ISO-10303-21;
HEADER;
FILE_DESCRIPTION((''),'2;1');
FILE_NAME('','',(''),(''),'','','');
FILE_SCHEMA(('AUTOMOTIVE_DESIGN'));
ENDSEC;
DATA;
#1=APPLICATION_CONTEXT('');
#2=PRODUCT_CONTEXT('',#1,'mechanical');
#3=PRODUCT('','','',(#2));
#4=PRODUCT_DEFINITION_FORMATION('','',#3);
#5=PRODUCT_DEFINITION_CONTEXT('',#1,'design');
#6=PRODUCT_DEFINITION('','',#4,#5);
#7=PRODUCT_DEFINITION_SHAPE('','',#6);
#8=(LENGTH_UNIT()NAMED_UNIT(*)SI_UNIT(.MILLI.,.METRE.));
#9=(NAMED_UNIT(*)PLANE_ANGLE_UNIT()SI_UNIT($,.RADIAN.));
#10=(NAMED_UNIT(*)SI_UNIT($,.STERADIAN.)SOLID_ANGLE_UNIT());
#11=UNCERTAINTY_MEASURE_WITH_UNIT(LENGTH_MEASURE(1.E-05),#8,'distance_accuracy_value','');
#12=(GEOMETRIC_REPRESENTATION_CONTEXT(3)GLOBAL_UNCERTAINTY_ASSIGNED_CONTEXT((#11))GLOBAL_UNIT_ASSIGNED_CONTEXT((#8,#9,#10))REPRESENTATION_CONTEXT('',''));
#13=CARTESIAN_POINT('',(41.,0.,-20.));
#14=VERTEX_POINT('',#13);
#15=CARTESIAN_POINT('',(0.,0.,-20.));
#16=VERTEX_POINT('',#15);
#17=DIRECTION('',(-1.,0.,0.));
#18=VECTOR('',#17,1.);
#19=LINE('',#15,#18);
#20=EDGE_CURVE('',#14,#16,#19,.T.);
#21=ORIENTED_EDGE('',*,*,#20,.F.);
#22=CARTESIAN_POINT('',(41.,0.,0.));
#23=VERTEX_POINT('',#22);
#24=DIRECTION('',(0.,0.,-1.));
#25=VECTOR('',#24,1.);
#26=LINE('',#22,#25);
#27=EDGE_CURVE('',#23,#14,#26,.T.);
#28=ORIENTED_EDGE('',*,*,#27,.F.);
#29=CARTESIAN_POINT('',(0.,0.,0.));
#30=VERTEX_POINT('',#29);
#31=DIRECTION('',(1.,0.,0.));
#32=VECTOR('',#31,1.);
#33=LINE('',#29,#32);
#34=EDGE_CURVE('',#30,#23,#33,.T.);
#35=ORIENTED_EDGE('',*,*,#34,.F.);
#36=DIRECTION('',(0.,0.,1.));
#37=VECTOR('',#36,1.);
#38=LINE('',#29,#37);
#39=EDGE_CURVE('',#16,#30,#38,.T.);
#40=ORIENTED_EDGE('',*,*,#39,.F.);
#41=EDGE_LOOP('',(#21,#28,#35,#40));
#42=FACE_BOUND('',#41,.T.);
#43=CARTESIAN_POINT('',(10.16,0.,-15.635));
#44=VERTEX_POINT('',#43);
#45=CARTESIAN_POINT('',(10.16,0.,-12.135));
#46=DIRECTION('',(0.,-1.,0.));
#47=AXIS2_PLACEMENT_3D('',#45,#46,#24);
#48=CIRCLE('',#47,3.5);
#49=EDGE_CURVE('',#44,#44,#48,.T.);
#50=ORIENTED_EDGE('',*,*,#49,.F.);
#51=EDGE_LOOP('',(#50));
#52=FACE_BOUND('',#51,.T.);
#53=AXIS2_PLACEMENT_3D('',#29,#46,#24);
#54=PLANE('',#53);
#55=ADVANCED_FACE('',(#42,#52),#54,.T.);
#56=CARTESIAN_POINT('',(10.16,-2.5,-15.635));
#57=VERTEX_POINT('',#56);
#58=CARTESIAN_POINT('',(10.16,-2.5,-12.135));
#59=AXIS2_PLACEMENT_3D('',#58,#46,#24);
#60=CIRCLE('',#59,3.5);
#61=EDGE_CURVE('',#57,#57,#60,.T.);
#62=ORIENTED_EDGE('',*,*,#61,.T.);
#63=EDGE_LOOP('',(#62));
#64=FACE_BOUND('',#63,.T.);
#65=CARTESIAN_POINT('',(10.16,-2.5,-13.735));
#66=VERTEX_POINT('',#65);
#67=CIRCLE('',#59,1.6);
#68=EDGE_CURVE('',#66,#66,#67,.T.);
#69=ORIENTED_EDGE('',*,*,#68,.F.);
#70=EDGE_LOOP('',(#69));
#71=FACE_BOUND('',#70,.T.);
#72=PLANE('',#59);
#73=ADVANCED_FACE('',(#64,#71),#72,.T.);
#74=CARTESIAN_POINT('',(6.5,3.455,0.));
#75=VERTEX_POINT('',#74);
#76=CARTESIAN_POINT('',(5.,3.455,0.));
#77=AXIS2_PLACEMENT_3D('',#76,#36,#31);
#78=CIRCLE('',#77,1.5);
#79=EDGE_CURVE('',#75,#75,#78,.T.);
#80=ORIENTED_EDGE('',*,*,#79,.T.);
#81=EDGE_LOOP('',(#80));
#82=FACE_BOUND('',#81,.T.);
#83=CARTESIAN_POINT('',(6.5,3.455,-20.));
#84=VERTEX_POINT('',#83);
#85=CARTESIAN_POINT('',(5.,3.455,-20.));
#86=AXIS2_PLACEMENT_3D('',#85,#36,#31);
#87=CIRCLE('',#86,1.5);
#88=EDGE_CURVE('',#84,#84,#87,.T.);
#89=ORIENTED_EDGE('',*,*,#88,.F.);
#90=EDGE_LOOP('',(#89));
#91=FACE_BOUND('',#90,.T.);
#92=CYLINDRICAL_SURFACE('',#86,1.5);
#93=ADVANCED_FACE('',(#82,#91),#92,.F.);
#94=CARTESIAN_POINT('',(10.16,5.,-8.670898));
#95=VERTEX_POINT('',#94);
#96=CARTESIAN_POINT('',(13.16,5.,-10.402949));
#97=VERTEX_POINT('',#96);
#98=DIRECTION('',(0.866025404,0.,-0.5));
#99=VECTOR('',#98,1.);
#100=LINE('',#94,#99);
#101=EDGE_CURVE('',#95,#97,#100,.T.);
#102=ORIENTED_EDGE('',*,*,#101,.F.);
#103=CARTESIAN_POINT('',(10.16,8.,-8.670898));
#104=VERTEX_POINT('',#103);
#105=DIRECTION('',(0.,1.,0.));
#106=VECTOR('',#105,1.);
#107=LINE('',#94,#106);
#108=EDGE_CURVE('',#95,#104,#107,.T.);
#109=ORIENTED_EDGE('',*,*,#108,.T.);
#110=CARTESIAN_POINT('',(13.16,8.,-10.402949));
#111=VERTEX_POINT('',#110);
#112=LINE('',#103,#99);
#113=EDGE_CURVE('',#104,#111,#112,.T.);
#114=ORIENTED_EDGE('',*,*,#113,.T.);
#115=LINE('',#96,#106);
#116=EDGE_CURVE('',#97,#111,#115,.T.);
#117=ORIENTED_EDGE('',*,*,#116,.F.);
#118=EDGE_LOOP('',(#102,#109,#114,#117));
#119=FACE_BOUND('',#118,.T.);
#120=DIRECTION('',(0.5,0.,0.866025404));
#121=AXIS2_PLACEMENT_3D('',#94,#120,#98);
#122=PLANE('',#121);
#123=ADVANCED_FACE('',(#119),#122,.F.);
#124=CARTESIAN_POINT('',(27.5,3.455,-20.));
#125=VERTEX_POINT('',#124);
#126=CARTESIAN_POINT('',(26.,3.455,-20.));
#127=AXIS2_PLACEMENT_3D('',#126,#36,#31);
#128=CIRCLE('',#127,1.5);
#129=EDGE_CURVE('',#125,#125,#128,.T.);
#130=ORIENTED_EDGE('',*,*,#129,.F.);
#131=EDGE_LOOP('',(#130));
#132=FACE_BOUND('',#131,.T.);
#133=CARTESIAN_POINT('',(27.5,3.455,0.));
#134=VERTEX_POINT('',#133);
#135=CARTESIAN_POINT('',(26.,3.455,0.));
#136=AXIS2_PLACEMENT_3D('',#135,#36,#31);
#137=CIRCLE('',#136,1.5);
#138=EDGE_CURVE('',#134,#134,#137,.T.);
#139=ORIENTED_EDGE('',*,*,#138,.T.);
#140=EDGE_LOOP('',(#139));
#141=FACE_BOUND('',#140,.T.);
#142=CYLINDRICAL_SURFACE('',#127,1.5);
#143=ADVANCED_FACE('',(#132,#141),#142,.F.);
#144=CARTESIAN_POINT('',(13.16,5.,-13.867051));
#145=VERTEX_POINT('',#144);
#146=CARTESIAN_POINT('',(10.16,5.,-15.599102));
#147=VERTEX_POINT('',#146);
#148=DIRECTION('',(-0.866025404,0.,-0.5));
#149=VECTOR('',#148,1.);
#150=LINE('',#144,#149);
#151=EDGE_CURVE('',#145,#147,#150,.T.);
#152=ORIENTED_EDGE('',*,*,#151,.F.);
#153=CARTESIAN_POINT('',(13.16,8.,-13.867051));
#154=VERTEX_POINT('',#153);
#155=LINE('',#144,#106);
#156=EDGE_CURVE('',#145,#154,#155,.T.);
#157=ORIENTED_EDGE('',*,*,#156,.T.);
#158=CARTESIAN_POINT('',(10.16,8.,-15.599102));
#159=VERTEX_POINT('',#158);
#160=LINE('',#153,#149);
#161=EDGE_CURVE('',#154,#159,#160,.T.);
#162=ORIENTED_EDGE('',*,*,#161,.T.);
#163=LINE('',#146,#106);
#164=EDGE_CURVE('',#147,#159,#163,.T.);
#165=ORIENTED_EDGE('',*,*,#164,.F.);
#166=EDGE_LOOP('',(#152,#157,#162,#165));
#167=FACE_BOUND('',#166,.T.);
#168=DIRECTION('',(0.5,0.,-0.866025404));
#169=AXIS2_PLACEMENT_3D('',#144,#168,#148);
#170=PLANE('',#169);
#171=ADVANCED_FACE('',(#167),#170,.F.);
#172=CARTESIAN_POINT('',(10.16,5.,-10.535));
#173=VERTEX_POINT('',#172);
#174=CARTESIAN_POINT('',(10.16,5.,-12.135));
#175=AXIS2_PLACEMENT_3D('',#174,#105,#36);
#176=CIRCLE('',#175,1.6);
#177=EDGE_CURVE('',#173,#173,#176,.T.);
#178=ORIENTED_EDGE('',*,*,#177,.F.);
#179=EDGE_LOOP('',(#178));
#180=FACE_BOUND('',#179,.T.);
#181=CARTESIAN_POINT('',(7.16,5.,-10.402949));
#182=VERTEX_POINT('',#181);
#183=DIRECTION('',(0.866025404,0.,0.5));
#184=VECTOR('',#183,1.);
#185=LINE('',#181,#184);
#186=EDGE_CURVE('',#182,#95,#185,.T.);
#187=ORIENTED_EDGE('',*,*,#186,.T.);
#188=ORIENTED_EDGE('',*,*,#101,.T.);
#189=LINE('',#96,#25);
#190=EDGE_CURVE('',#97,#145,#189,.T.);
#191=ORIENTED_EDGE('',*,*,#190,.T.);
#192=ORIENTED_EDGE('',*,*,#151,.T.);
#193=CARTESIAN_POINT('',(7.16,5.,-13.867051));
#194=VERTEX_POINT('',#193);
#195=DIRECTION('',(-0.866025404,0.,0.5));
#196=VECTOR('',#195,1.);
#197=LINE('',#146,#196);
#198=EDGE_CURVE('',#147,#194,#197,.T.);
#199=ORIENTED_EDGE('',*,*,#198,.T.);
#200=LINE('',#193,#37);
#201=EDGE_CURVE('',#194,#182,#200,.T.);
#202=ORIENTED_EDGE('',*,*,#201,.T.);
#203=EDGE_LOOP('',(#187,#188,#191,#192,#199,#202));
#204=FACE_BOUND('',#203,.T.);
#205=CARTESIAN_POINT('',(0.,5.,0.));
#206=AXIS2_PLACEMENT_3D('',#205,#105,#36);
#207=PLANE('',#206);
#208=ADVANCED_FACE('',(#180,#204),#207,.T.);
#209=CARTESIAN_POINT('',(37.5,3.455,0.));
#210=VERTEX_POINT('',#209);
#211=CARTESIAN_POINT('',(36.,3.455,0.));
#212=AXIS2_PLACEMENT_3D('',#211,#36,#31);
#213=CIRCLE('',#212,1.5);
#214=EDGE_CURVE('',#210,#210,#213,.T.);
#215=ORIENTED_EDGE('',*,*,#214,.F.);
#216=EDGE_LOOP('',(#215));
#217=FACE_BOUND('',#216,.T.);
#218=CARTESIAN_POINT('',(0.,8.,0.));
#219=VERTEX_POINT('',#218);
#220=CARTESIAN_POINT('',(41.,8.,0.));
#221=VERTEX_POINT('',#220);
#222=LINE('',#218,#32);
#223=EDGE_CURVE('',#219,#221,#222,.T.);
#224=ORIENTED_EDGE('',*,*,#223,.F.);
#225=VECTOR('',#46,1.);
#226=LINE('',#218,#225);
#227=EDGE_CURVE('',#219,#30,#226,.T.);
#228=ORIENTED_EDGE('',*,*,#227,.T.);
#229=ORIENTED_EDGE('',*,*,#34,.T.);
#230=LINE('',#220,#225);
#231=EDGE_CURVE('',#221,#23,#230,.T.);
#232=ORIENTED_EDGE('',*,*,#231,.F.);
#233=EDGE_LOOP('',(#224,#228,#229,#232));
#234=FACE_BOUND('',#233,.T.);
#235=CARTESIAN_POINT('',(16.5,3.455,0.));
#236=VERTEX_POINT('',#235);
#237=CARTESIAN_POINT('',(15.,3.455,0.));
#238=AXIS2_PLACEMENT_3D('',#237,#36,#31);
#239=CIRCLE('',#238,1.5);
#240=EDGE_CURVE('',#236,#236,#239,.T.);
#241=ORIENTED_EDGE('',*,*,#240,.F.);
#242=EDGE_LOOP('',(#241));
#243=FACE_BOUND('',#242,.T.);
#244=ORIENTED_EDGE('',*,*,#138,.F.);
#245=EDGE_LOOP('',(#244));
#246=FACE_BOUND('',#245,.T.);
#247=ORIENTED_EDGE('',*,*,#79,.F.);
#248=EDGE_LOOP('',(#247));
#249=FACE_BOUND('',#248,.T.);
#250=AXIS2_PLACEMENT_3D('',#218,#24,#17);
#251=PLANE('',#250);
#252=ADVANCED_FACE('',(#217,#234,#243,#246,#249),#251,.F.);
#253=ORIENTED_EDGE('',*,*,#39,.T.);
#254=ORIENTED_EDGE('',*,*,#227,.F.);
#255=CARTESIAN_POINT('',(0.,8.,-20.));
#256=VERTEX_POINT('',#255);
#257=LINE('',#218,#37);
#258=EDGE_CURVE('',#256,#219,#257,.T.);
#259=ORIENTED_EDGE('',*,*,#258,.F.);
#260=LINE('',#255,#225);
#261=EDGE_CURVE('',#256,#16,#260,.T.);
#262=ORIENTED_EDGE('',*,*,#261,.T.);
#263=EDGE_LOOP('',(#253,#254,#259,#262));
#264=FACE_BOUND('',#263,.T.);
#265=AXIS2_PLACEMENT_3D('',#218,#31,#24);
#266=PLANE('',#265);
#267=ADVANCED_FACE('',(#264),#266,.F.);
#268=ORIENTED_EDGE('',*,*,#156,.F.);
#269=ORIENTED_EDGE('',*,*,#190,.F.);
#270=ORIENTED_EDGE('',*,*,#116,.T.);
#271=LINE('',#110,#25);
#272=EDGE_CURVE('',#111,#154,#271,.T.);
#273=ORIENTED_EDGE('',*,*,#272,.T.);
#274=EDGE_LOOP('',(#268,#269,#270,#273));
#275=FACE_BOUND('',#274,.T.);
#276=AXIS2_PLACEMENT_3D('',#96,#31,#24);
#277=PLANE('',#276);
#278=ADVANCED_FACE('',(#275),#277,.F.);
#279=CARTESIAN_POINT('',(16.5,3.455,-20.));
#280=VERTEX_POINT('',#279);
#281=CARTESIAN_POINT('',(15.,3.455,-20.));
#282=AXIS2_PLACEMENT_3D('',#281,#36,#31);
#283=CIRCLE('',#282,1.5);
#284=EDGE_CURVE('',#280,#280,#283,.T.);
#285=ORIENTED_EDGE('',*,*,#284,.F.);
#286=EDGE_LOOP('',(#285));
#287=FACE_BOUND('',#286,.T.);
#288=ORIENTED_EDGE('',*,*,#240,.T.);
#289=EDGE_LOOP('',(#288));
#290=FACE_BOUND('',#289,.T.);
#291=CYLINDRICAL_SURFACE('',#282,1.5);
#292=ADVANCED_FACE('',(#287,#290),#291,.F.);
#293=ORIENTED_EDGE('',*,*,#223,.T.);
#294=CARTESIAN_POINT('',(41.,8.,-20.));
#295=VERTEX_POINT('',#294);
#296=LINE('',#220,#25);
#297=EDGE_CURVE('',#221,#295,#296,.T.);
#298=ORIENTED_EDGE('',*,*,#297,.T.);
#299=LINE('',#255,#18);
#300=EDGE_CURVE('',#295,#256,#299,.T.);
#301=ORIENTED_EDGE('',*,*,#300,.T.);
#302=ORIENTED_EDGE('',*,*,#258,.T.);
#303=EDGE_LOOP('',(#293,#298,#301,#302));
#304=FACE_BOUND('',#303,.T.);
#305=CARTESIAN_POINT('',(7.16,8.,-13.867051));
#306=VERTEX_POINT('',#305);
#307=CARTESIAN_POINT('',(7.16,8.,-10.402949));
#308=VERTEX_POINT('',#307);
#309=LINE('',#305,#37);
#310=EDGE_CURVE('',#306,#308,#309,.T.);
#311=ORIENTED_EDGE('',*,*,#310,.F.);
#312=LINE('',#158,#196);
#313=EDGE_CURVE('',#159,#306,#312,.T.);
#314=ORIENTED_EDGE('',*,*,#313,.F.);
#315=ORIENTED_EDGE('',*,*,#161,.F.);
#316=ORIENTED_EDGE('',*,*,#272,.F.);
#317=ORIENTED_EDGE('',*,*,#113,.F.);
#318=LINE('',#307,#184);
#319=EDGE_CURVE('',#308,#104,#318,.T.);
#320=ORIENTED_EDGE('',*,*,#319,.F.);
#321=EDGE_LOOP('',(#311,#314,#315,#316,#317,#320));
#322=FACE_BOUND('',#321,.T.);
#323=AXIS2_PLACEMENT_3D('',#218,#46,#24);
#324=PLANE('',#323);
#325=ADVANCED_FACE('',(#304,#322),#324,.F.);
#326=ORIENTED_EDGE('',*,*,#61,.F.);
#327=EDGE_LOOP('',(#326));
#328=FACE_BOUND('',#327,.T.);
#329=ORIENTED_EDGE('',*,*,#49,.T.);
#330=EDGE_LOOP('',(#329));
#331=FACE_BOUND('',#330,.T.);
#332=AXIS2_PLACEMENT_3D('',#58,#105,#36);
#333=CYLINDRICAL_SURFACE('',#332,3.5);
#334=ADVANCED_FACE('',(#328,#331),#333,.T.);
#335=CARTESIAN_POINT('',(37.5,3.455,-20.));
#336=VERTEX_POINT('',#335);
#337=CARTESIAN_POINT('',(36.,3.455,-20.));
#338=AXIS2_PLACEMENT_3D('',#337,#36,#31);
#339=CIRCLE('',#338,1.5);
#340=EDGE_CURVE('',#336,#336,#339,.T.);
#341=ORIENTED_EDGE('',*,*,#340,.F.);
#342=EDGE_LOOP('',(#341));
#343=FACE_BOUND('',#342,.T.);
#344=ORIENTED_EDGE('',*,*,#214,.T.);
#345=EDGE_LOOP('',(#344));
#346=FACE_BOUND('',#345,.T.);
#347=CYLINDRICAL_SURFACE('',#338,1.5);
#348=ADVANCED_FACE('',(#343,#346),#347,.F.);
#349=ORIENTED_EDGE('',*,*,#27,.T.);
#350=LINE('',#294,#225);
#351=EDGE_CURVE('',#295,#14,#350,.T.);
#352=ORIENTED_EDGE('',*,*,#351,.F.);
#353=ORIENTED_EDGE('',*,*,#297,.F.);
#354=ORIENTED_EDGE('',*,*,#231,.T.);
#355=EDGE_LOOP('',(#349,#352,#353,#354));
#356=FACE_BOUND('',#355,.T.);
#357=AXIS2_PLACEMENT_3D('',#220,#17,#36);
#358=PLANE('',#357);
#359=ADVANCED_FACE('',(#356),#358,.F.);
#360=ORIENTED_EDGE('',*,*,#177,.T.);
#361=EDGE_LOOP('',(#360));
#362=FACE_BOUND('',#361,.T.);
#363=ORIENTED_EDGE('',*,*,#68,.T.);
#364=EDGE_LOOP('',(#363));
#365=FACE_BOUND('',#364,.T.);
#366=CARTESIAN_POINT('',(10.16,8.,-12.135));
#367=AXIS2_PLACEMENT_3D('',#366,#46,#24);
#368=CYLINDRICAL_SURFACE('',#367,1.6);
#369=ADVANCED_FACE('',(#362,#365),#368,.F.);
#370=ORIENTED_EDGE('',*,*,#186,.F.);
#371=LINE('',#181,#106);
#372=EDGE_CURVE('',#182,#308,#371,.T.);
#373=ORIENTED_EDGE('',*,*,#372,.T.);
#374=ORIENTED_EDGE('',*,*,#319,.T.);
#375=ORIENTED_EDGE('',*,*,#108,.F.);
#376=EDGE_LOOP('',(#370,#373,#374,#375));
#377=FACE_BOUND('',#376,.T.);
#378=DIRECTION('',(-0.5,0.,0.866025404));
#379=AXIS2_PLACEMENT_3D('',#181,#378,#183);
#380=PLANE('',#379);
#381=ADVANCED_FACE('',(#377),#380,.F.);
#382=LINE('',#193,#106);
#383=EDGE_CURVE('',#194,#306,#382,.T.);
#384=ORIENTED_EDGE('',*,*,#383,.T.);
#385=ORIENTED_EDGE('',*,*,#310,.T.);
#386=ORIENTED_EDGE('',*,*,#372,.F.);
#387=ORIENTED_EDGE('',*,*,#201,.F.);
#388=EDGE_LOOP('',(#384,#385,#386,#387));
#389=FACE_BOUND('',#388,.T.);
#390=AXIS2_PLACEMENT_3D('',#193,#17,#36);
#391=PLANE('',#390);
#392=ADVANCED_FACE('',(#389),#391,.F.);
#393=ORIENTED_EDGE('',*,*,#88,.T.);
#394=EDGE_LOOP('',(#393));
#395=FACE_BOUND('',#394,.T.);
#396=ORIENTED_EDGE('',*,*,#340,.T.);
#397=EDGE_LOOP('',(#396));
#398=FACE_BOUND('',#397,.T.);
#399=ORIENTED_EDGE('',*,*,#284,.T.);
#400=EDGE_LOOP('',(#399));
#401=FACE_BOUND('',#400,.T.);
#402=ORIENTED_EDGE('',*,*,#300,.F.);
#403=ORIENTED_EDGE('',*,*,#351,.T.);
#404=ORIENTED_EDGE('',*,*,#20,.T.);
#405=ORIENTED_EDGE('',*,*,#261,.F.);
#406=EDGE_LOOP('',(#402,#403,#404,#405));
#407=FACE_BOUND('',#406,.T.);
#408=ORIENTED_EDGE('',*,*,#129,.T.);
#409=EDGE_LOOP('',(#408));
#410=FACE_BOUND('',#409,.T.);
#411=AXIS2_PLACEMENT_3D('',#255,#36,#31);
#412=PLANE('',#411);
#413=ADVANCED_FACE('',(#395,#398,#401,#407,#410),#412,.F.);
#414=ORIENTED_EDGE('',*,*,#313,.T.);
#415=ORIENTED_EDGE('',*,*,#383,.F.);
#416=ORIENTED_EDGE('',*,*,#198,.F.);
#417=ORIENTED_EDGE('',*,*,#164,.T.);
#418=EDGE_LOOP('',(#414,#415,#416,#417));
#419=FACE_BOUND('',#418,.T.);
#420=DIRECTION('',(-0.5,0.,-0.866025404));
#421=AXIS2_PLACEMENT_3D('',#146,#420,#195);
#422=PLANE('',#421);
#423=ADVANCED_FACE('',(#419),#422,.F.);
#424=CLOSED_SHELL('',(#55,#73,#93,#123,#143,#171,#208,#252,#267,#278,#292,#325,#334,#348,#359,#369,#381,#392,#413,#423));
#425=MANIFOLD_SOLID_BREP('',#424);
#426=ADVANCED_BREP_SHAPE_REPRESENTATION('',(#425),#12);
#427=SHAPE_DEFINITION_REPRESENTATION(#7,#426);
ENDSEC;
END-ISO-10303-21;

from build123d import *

# Parameters (mm, degrees)
SKETCH1_W           = 41
SKETCH1_H           = 20
BOSS_EXTRUDE1_DEPTH = 8
SKETCH2_R           = 1.5
CUT_EXTRUDE1_DEPTH  = 47.314144708
LPATTERN1_COUNT     = 2
LPATTERN1_PITCH     = 10
LPATTERN2_COUNT     = 2
LPATTERN2_PITCH     = 21
LPATTERN3_COUNT     = 2
LPATTERN3_PITCH     = 31
SKETCH3_R           = 1.6
CUT_EXTRUDE6_DEPTH  = 47.314144708
BOSS_EXTRUDE6_START = 2.5
SKETCH13_R          = 3.5
SKETCH13_R_2        = 1.6
BOSS_EXTRUDE6_DEPTH = 2.5
CUT_EXTRUDE7_DEPTH  = 3


with BuildPart() as part:
    # Sketch1 → Boss-Extrude1 (new body)
    with BuildSketch(Plane(origin=(0, 0, 0), x_dir=(1, 0, 0), z_dir=(0, 1, 0))):
        with Locations((20.5, 10)):
            Rectangle(SKETCH1_W, SKETCH1_H)
    extrude(amount=BOSS_EXTRUDE1_DEPTH)

    # Sketch2 → Cut-Extrude1 (cut, through all)
    with BuildSketch(Plane.XY):
        with Locations((5, 3.455)):
            Circle(SKETCH2_R)
    cut_extrude1 = extrude(amount=-CUT_EXTRUDE1_DEPTH, mode=Mode.SUBTRACT)

    # LPattern1: Cut-Extrude1 ×2
    with Locations(*[(i * LPATTERN1_PITCH, 0, 0) for i in range(1, LPATTERN1_COUNT)]):
        add(cut_extrude1, mode=Mode.SUBTRACT)

    # LPattern2: Cut-Extrude1 ×2
    with Locations(*[(i * LPATTERN2_PITCH, 0, 0) for i in range(1, LPATTERN2_COUNT)]):
        add(cut_extrude1, mode=Mode.SUBTRACT)

    # LPattern3: Cut-Extrude1 ×2
    with Locations(*[(i * LPATTERN3_PITCH, 0, 0) for i in range(1, LPATTERN3_COUNT)]):
        add(cut_extrude1, mode=Mode.SUBTRACT)

    # Sketch3 → Cut-Extrude6 (cut, through all)
    with BuildSketch(Plane(origin=(0, 0, 0), x_dir=(1, 0, 0), z_dir=(0, 1, 0))):
        with Locations(Location((10.16, 12.135, 0), (0, 0, 90))):
            Circle(SKETCH3_R)
    extrude(amount=CUT_EXTRUDE6_DEPTH, mode=Mode.SUBTRACT)

    # Sketch13 → Boss-Extrude6 (add)
    with BuildSketch(Plane.XZ.offset(BOSS_EXTRUDE6_START)):
        with Locations(Location((10.16, -12.135, 0), (0, 0, 270))):
            Circle(SKETCH13_R)
        with Locations(Location((10.16, -12.135, 0), (0, 0, 270))):
            Circle(SKETCH13_R_2, mode=Mode.SUBTRACT)
    extrude(amount=-BOSS_EXTRUDE6_DEPTH)

    # Sketch14 → Cut-Extrude7 (cut)
    with BuildSketch(Plane(origin=(0, 8, 0), x_dir=(1, 0, 0), z_dir=(0, 1, 0))):
        Polygon((7.16, 10.402949192), (10.16, 8.670898385), (13.16, 10.402949192), (13.16, 13.867050808), (10.16, 15.599101615), (7.16, 13.867050808), align=None)
    extrude(amount=-CUT_EXTRUDE7_DEPTH, mode=Mode.SUBTRACT)


solid = part.part
